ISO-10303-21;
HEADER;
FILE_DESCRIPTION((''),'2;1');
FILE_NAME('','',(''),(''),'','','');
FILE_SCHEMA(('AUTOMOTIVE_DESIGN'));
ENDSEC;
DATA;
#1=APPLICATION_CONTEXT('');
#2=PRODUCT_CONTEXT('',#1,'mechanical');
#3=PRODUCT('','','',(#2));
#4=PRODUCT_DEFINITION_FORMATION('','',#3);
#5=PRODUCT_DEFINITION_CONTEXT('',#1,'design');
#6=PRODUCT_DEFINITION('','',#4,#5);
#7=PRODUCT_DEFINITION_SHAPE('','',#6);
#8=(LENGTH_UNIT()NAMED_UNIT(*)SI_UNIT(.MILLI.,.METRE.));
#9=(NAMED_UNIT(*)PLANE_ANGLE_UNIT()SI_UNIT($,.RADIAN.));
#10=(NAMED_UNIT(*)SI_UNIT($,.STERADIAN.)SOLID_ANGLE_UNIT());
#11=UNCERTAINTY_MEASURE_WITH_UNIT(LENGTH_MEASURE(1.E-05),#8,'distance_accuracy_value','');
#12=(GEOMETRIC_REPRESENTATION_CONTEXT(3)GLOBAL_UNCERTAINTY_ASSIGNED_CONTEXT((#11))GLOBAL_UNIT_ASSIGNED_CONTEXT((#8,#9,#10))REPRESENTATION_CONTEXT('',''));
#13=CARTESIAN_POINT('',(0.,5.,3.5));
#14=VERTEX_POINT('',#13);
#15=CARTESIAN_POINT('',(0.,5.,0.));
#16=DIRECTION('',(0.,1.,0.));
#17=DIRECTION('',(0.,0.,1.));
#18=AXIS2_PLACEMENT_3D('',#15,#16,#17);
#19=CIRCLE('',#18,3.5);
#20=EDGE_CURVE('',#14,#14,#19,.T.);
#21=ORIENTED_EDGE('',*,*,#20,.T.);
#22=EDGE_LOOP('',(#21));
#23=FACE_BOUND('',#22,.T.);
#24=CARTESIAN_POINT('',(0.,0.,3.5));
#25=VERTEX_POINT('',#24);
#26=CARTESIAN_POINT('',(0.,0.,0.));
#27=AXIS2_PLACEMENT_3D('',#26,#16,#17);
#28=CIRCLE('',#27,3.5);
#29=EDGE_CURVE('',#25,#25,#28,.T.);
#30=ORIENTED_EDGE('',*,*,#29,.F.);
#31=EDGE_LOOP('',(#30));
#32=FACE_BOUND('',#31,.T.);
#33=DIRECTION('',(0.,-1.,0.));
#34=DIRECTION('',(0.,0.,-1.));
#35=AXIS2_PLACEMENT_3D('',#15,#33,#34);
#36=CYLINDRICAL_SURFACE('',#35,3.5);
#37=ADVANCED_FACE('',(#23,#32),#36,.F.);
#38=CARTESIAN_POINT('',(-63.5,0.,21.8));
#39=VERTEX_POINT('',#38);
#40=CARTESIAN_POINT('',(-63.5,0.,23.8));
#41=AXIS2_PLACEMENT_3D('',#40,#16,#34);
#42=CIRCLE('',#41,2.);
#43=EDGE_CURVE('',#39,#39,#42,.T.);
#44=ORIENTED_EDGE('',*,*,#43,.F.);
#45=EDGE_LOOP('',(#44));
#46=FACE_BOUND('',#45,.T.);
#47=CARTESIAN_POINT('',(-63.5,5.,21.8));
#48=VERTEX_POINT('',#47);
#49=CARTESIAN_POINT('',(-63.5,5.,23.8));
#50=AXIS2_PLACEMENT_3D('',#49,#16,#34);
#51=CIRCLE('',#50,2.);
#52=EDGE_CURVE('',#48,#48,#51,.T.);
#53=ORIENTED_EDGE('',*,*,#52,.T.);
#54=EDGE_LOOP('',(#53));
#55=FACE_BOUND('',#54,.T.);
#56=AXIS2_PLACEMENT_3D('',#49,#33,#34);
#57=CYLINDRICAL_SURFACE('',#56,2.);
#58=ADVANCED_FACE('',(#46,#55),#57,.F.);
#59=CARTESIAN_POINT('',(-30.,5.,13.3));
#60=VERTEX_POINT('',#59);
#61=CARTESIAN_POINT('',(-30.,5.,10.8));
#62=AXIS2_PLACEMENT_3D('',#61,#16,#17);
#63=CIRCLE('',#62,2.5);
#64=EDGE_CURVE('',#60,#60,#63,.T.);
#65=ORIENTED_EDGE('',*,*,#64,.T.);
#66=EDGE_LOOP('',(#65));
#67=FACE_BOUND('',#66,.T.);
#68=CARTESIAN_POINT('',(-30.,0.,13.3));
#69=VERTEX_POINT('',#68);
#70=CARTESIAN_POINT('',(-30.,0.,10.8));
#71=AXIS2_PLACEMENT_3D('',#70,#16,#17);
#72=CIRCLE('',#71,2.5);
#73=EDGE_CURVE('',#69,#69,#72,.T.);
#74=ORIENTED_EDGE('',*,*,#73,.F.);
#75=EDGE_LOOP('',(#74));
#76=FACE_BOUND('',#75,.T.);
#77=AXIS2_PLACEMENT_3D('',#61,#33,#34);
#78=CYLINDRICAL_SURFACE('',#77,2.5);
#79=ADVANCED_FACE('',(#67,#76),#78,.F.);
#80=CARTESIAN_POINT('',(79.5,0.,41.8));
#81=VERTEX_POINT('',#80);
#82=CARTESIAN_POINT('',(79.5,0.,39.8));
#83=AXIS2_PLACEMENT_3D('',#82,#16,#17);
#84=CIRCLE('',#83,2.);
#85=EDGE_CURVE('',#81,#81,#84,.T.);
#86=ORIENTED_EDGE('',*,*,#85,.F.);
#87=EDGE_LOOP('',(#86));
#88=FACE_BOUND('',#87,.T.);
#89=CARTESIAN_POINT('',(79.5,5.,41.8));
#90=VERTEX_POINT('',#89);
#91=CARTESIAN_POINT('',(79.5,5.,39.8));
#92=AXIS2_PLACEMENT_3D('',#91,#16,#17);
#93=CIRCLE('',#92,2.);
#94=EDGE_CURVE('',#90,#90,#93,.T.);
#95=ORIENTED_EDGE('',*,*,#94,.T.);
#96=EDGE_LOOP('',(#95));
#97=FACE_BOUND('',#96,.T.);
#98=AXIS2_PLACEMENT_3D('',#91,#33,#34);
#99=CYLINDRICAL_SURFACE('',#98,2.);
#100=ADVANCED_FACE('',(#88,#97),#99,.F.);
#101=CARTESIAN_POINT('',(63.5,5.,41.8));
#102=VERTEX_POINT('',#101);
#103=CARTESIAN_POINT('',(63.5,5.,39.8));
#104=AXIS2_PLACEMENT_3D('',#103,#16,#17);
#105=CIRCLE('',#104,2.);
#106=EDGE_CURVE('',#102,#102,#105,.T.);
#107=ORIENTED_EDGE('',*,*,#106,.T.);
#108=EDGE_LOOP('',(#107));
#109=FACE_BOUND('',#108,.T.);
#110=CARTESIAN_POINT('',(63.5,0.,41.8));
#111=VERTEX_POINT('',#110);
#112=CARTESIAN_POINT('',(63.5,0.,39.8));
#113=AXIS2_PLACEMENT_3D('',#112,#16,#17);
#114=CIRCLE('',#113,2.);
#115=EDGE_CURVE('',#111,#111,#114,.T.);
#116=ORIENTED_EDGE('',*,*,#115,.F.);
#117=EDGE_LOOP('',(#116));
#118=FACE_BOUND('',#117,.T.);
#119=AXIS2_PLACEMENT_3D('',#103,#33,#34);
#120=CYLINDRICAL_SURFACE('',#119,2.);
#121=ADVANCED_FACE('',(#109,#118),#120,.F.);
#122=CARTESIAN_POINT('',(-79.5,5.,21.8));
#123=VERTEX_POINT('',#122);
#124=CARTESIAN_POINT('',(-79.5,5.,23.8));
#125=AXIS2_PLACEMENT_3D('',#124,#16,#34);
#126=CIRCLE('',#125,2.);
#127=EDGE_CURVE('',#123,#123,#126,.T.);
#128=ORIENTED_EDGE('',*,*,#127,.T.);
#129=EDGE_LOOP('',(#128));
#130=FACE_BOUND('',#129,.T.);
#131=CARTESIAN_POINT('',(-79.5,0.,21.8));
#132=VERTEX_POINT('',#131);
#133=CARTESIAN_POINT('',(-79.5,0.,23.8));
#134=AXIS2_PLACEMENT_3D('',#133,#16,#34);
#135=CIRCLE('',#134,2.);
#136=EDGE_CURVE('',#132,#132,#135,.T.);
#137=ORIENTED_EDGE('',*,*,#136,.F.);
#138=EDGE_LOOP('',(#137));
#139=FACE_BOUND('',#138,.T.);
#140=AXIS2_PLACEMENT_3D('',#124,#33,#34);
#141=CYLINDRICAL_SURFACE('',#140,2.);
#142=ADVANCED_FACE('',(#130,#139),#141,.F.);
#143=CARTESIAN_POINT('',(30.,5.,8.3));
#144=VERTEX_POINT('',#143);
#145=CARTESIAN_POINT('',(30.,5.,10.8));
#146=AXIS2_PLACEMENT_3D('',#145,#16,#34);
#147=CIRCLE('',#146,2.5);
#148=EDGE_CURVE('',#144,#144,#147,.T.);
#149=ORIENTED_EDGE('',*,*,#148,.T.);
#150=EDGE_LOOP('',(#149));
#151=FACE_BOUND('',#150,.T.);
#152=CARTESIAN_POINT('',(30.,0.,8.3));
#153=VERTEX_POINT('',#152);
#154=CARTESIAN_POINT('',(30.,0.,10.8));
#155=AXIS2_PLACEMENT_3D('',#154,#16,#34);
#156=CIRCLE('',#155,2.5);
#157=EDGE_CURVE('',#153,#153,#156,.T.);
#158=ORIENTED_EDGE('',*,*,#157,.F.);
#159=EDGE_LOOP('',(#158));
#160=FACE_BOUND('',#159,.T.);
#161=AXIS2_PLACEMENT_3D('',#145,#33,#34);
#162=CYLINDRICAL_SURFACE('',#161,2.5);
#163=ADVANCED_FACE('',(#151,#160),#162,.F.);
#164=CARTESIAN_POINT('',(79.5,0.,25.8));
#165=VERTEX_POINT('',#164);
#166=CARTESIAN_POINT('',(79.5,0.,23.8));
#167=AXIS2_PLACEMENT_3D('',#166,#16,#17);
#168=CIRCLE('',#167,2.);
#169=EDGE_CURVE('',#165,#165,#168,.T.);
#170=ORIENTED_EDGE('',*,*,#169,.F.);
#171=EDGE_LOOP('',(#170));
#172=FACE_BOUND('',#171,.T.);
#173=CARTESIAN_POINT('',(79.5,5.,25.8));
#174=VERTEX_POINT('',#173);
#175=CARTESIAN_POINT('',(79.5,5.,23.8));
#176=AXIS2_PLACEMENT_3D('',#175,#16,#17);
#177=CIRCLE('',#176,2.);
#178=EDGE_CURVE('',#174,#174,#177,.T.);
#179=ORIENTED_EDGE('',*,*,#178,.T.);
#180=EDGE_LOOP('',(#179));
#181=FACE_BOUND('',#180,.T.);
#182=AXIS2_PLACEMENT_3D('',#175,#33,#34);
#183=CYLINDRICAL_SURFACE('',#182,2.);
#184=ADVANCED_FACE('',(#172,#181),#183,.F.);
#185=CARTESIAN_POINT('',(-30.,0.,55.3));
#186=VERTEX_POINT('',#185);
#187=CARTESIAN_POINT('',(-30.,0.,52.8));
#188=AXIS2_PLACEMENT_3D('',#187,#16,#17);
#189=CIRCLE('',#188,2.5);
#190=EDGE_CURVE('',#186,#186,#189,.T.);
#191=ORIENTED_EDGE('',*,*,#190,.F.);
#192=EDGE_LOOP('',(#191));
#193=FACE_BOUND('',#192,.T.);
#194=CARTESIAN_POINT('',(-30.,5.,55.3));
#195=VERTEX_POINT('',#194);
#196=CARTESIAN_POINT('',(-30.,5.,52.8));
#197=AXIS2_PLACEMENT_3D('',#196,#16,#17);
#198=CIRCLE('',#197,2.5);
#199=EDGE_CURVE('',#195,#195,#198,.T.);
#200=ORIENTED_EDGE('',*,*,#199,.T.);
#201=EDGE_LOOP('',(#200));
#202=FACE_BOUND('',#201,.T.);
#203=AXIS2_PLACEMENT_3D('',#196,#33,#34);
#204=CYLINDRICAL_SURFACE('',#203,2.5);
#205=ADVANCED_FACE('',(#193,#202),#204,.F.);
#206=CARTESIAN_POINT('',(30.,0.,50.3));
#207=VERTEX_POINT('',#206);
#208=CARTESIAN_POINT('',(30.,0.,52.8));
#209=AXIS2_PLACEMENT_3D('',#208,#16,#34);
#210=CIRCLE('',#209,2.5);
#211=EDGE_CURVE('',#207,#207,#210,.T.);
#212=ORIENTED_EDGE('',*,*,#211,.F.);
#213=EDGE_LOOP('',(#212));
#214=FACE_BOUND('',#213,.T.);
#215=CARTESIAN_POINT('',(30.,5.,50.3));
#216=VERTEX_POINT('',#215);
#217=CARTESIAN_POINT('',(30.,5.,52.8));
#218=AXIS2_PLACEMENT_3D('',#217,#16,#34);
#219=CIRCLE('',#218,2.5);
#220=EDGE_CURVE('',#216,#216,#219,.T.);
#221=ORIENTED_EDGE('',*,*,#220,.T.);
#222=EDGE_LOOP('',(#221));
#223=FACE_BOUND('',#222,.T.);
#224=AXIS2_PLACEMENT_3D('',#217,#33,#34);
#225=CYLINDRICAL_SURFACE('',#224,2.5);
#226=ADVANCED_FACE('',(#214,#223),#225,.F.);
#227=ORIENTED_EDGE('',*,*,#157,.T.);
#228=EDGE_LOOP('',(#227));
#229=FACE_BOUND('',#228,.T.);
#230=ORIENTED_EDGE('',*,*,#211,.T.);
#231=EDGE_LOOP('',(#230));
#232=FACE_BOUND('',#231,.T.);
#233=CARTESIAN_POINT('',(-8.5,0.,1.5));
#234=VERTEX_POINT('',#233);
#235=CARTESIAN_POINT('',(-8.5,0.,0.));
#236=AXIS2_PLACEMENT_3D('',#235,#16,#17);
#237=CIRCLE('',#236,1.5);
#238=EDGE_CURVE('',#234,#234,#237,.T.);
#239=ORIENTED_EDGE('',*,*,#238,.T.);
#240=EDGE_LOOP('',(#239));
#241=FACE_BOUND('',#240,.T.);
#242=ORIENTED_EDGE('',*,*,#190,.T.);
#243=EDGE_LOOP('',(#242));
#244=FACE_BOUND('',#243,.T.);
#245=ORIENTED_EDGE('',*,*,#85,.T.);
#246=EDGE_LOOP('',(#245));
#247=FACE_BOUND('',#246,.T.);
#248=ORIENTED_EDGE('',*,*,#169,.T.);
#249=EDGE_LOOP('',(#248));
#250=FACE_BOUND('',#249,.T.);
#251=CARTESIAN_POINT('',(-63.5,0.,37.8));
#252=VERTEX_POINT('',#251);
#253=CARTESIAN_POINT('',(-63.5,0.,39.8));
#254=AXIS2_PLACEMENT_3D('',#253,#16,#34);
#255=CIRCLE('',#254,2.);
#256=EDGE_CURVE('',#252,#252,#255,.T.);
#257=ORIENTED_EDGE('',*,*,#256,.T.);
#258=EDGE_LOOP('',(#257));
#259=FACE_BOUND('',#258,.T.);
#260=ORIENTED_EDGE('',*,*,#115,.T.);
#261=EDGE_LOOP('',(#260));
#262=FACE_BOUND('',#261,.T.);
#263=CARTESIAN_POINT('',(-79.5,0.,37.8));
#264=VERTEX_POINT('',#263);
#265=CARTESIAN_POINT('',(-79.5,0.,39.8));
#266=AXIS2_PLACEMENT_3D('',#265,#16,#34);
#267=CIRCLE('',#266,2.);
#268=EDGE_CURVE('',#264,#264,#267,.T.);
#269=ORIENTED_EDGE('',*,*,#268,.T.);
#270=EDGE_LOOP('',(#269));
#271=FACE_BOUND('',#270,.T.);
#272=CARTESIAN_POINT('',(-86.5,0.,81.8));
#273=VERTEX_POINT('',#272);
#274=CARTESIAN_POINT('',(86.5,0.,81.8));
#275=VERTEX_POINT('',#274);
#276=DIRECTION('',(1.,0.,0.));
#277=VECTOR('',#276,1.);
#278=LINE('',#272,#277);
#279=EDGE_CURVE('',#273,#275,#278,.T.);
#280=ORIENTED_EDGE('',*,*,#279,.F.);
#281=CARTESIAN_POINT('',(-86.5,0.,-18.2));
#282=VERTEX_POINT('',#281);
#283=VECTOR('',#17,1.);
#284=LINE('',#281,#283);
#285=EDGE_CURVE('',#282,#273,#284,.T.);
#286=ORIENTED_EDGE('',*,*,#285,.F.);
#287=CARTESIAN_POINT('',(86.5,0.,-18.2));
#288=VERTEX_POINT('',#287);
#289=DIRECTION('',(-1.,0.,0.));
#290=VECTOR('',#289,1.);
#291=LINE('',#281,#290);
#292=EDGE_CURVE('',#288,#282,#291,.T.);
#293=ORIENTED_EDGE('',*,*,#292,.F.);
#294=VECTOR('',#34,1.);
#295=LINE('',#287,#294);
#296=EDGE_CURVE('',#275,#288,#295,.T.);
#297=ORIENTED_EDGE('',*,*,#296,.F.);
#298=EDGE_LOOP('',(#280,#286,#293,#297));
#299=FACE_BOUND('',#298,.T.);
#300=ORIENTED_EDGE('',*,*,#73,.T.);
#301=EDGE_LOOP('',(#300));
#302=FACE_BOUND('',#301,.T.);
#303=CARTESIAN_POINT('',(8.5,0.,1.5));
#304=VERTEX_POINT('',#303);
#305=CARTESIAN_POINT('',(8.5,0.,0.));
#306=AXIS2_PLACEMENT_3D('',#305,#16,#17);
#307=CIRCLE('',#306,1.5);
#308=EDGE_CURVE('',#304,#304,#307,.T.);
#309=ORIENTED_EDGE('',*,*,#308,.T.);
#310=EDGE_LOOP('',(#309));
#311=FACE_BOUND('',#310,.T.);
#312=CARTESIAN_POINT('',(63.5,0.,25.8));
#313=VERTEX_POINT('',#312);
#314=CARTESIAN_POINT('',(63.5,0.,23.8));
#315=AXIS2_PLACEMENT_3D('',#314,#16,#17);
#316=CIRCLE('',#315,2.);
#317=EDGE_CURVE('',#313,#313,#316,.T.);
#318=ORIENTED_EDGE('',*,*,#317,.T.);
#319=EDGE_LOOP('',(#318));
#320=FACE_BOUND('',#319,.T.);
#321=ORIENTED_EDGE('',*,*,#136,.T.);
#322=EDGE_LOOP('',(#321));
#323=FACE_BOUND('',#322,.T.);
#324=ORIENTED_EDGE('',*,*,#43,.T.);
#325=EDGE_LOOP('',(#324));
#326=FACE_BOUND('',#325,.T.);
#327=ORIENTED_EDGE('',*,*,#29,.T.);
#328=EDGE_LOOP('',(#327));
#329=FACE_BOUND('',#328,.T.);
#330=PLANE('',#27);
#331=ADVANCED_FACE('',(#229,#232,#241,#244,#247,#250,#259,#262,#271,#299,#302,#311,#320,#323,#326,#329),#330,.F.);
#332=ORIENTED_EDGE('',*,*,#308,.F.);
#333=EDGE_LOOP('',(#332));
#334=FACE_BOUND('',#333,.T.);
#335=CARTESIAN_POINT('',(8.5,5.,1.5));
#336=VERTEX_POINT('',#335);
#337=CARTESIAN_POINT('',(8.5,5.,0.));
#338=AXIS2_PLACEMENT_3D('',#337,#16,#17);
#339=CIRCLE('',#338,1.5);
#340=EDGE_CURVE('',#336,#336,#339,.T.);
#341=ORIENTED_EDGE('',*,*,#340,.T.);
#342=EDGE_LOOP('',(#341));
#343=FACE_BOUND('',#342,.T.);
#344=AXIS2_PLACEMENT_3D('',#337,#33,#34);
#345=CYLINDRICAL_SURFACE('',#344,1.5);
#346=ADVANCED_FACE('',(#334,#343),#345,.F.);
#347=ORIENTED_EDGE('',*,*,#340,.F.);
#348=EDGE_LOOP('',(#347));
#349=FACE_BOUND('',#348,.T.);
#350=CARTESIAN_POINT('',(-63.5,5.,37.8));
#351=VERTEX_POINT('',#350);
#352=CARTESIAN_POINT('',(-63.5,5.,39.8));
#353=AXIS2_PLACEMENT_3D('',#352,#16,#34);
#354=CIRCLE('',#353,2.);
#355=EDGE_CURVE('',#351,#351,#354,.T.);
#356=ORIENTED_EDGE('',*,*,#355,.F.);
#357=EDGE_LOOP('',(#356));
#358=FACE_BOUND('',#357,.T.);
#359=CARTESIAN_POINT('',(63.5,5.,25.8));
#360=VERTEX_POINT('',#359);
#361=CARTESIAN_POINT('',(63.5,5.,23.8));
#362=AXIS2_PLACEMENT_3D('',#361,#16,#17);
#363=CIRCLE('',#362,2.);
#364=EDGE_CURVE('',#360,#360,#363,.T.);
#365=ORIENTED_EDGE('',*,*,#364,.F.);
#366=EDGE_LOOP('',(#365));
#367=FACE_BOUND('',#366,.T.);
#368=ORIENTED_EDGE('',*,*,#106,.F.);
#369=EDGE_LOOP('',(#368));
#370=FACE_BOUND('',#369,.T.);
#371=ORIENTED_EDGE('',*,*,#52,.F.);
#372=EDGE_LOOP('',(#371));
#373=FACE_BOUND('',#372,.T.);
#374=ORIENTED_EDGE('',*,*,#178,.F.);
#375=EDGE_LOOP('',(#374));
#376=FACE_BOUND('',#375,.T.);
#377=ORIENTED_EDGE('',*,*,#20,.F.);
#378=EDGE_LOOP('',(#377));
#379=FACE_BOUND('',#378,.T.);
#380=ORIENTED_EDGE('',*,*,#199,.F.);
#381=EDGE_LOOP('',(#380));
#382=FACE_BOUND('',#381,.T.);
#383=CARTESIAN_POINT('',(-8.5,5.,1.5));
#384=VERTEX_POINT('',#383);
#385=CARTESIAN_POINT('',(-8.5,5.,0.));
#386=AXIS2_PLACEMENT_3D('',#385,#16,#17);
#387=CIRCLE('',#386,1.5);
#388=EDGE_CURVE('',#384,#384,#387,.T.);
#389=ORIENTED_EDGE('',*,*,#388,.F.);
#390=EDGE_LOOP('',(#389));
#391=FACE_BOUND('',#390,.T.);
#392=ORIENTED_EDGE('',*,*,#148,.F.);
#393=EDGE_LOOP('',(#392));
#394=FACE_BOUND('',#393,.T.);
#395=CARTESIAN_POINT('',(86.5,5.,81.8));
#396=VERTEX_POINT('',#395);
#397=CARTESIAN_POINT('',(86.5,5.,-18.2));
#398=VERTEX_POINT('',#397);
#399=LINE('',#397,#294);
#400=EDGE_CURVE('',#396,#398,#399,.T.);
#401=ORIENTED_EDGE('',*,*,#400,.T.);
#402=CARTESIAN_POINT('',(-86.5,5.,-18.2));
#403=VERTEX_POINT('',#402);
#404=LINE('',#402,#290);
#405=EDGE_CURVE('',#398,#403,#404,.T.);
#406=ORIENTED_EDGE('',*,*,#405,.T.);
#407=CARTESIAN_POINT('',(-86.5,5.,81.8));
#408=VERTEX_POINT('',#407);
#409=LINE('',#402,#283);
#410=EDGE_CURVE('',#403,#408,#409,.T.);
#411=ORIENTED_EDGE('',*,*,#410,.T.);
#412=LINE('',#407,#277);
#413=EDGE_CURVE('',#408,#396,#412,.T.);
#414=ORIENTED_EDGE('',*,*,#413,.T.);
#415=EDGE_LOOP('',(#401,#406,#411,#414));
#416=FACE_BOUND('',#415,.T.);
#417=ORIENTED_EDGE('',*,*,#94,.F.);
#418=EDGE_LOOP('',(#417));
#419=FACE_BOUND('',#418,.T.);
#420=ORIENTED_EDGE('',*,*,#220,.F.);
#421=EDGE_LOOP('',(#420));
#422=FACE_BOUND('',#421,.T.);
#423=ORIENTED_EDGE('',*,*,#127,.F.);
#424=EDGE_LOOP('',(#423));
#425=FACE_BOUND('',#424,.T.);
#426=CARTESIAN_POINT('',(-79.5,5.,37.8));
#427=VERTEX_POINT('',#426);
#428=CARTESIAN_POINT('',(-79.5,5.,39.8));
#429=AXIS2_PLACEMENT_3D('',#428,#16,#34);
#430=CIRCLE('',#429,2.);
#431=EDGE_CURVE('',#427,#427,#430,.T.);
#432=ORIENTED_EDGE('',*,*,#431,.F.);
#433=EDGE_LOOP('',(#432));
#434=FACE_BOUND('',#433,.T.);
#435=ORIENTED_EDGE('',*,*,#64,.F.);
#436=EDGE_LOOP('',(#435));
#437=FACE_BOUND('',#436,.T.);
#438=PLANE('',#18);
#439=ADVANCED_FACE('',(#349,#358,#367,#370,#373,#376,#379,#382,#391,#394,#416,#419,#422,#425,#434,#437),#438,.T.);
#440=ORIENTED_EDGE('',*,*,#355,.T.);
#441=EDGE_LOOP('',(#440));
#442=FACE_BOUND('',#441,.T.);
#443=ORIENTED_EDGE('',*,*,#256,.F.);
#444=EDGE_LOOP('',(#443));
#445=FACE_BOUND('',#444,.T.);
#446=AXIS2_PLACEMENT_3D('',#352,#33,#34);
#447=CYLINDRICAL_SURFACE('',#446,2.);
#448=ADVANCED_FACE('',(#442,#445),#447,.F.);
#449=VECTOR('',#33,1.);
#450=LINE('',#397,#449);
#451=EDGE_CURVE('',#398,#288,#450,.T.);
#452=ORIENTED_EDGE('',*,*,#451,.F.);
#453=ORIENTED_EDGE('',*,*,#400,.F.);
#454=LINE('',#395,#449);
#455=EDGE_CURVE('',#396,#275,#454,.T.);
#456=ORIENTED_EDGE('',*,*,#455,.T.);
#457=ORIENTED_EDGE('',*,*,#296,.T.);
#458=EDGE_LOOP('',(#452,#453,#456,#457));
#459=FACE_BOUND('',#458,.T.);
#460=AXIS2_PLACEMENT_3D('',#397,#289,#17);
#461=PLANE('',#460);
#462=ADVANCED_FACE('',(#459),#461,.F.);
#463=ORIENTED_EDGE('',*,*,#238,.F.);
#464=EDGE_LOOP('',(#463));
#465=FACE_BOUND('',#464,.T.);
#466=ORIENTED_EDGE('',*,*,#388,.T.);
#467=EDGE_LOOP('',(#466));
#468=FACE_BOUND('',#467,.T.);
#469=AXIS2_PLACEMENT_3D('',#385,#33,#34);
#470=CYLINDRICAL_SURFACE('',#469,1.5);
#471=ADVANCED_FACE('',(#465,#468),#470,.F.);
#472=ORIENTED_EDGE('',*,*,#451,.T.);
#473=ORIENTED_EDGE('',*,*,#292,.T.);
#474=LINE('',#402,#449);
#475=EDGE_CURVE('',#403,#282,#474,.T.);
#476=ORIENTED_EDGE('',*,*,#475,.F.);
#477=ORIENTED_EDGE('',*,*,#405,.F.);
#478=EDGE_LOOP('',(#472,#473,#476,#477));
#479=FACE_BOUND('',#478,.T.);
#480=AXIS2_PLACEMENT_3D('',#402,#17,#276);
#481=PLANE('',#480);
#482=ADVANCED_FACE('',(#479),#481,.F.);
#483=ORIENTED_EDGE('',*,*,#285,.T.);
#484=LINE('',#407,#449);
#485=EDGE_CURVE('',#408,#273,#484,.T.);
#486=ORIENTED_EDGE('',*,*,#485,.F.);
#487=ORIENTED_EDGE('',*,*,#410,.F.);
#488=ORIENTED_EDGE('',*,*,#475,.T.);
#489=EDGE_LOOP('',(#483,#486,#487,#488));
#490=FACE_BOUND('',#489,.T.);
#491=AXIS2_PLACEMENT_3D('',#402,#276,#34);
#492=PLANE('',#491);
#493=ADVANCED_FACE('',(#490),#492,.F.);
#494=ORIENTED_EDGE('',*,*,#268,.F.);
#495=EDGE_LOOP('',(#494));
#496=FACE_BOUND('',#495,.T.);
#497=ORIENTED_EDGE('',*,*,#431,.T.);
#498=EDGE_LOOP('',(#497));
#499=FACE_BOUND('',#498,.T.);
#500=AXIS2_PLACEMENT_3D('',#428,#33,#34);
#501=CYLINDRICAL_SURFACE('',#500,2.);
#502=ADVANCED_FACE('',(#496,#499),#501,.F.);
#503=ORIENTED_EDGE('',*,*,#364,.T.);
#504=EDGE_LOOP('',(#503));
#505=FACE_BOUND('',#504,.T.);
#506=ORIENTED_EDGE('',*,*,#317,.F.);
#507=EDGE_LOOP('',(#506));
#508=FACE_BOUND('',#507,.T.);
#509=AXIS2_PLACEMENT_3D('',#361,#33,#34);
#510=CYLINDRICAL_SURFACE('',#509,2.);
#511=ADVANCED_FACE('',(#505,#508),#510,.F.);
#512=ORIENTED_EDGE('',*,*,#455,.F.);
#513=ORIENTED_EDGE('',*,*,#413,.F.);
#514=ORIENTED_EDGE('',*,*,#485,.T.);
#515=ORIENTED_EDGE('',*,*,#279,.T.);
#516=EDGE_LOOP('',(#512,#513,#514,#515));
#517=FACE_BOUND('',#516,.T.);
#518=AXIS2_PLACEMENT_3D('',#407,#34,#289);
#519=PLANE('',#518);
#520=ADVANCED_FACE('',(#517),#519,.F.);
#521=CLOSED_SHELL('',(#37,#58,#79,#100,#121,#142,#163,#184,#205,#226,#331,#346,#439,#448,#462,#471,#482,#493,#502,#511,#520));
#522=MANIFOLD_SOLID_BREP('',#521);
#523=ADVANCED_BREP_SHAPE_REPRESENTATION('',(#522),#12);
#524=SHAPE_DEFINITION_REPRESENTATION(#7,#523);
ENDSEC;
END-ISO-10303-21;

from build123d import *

# Parameters (mm, degrees)
SKETCH1_W           = 173
SKETCH1_H           = 100
SKETCH1_R           = 3.5
SKETCH1_R_2         = 1.5
SKETCH1_R_3         = 2.5
SKETCH1_R_4         = 2
BOSS_EXTRUDE1_DEPTH = 5


with BuildPart() as part:
    # Sketch1 → Boss-Extrude1 (new body)
    with BuildSketch(Plane(origin=(0, 0, 0), x_dir=(1, 0, 0), z_dir=(0, 1, 0))):
        with Locations((0, -31.8)):
            Rectangle(SKETCH1_W, SKETCH1_H)
        Circle(SKETCH1_R, mode=Mode.SUBTRACT)
        with Locations((-8.5, 0)):
            Circle(SKETCH1_R_2, mode=Mode.SUBTRACT)
        with Locations((8.5, 0)):
            Circle(SKETCH1_R_2, mode=Mode.SUBTRACT)
        with Locations((-30, -10.8)):
            Circle(SKETCH1_R_3, mode=Mode.SUBTRACT)
        with Locations((-30, -52.8)):
            Circle(SKETCH1_R_3, mode=Mode.SUBTRACT)
        with Locations((30, -52.8)):
            Circle(SKETCH1_R_3, mode=Mode.SUBTRACT)
        with Locations((30, -10.8)):
            Circle(SKETCH1_R_3, mode=Mode.SUBTRACT)
        with Locations((63.5, -23.8)):
            Circle(SKETCH1_R_4, mode=Mode.SUBTRACT)
        with Locations((79.5, -23.8)):
            Circle(SKETCH1_R_4, mode=Mode.SUBTRACT)
        with Locations((79.5, -39.8)):
            Circle(SKETCH1_R_4, mode=Mode.SUBTRACT)
        with Locations((63.5, -39.8)):
            Circle(SKETCH1_R_4, mode=Mode.SUBTRACT)
        with Locations((-63.5, -39.8)):
            Circle(SKETCH1_R_4, mode=Mode.SUBTRACT)
        with Locations((-79.5, -39.8)):
            Circle(SKETCH1_R_4, mode=Mode.SUBTRACT)
        with Locations((-79.5, -23.8)):
            Circle(SKETCH1_R_4, mode=Mode.SUBTRACT)
        with Locations((-63.5, -23.8)):
            Circle(SKETCH1_R_4, mode=Mode.SUBTRACT)
    extrude(amount=BOSS_EXTRUDE1_DEPTH)


solid = part.part
